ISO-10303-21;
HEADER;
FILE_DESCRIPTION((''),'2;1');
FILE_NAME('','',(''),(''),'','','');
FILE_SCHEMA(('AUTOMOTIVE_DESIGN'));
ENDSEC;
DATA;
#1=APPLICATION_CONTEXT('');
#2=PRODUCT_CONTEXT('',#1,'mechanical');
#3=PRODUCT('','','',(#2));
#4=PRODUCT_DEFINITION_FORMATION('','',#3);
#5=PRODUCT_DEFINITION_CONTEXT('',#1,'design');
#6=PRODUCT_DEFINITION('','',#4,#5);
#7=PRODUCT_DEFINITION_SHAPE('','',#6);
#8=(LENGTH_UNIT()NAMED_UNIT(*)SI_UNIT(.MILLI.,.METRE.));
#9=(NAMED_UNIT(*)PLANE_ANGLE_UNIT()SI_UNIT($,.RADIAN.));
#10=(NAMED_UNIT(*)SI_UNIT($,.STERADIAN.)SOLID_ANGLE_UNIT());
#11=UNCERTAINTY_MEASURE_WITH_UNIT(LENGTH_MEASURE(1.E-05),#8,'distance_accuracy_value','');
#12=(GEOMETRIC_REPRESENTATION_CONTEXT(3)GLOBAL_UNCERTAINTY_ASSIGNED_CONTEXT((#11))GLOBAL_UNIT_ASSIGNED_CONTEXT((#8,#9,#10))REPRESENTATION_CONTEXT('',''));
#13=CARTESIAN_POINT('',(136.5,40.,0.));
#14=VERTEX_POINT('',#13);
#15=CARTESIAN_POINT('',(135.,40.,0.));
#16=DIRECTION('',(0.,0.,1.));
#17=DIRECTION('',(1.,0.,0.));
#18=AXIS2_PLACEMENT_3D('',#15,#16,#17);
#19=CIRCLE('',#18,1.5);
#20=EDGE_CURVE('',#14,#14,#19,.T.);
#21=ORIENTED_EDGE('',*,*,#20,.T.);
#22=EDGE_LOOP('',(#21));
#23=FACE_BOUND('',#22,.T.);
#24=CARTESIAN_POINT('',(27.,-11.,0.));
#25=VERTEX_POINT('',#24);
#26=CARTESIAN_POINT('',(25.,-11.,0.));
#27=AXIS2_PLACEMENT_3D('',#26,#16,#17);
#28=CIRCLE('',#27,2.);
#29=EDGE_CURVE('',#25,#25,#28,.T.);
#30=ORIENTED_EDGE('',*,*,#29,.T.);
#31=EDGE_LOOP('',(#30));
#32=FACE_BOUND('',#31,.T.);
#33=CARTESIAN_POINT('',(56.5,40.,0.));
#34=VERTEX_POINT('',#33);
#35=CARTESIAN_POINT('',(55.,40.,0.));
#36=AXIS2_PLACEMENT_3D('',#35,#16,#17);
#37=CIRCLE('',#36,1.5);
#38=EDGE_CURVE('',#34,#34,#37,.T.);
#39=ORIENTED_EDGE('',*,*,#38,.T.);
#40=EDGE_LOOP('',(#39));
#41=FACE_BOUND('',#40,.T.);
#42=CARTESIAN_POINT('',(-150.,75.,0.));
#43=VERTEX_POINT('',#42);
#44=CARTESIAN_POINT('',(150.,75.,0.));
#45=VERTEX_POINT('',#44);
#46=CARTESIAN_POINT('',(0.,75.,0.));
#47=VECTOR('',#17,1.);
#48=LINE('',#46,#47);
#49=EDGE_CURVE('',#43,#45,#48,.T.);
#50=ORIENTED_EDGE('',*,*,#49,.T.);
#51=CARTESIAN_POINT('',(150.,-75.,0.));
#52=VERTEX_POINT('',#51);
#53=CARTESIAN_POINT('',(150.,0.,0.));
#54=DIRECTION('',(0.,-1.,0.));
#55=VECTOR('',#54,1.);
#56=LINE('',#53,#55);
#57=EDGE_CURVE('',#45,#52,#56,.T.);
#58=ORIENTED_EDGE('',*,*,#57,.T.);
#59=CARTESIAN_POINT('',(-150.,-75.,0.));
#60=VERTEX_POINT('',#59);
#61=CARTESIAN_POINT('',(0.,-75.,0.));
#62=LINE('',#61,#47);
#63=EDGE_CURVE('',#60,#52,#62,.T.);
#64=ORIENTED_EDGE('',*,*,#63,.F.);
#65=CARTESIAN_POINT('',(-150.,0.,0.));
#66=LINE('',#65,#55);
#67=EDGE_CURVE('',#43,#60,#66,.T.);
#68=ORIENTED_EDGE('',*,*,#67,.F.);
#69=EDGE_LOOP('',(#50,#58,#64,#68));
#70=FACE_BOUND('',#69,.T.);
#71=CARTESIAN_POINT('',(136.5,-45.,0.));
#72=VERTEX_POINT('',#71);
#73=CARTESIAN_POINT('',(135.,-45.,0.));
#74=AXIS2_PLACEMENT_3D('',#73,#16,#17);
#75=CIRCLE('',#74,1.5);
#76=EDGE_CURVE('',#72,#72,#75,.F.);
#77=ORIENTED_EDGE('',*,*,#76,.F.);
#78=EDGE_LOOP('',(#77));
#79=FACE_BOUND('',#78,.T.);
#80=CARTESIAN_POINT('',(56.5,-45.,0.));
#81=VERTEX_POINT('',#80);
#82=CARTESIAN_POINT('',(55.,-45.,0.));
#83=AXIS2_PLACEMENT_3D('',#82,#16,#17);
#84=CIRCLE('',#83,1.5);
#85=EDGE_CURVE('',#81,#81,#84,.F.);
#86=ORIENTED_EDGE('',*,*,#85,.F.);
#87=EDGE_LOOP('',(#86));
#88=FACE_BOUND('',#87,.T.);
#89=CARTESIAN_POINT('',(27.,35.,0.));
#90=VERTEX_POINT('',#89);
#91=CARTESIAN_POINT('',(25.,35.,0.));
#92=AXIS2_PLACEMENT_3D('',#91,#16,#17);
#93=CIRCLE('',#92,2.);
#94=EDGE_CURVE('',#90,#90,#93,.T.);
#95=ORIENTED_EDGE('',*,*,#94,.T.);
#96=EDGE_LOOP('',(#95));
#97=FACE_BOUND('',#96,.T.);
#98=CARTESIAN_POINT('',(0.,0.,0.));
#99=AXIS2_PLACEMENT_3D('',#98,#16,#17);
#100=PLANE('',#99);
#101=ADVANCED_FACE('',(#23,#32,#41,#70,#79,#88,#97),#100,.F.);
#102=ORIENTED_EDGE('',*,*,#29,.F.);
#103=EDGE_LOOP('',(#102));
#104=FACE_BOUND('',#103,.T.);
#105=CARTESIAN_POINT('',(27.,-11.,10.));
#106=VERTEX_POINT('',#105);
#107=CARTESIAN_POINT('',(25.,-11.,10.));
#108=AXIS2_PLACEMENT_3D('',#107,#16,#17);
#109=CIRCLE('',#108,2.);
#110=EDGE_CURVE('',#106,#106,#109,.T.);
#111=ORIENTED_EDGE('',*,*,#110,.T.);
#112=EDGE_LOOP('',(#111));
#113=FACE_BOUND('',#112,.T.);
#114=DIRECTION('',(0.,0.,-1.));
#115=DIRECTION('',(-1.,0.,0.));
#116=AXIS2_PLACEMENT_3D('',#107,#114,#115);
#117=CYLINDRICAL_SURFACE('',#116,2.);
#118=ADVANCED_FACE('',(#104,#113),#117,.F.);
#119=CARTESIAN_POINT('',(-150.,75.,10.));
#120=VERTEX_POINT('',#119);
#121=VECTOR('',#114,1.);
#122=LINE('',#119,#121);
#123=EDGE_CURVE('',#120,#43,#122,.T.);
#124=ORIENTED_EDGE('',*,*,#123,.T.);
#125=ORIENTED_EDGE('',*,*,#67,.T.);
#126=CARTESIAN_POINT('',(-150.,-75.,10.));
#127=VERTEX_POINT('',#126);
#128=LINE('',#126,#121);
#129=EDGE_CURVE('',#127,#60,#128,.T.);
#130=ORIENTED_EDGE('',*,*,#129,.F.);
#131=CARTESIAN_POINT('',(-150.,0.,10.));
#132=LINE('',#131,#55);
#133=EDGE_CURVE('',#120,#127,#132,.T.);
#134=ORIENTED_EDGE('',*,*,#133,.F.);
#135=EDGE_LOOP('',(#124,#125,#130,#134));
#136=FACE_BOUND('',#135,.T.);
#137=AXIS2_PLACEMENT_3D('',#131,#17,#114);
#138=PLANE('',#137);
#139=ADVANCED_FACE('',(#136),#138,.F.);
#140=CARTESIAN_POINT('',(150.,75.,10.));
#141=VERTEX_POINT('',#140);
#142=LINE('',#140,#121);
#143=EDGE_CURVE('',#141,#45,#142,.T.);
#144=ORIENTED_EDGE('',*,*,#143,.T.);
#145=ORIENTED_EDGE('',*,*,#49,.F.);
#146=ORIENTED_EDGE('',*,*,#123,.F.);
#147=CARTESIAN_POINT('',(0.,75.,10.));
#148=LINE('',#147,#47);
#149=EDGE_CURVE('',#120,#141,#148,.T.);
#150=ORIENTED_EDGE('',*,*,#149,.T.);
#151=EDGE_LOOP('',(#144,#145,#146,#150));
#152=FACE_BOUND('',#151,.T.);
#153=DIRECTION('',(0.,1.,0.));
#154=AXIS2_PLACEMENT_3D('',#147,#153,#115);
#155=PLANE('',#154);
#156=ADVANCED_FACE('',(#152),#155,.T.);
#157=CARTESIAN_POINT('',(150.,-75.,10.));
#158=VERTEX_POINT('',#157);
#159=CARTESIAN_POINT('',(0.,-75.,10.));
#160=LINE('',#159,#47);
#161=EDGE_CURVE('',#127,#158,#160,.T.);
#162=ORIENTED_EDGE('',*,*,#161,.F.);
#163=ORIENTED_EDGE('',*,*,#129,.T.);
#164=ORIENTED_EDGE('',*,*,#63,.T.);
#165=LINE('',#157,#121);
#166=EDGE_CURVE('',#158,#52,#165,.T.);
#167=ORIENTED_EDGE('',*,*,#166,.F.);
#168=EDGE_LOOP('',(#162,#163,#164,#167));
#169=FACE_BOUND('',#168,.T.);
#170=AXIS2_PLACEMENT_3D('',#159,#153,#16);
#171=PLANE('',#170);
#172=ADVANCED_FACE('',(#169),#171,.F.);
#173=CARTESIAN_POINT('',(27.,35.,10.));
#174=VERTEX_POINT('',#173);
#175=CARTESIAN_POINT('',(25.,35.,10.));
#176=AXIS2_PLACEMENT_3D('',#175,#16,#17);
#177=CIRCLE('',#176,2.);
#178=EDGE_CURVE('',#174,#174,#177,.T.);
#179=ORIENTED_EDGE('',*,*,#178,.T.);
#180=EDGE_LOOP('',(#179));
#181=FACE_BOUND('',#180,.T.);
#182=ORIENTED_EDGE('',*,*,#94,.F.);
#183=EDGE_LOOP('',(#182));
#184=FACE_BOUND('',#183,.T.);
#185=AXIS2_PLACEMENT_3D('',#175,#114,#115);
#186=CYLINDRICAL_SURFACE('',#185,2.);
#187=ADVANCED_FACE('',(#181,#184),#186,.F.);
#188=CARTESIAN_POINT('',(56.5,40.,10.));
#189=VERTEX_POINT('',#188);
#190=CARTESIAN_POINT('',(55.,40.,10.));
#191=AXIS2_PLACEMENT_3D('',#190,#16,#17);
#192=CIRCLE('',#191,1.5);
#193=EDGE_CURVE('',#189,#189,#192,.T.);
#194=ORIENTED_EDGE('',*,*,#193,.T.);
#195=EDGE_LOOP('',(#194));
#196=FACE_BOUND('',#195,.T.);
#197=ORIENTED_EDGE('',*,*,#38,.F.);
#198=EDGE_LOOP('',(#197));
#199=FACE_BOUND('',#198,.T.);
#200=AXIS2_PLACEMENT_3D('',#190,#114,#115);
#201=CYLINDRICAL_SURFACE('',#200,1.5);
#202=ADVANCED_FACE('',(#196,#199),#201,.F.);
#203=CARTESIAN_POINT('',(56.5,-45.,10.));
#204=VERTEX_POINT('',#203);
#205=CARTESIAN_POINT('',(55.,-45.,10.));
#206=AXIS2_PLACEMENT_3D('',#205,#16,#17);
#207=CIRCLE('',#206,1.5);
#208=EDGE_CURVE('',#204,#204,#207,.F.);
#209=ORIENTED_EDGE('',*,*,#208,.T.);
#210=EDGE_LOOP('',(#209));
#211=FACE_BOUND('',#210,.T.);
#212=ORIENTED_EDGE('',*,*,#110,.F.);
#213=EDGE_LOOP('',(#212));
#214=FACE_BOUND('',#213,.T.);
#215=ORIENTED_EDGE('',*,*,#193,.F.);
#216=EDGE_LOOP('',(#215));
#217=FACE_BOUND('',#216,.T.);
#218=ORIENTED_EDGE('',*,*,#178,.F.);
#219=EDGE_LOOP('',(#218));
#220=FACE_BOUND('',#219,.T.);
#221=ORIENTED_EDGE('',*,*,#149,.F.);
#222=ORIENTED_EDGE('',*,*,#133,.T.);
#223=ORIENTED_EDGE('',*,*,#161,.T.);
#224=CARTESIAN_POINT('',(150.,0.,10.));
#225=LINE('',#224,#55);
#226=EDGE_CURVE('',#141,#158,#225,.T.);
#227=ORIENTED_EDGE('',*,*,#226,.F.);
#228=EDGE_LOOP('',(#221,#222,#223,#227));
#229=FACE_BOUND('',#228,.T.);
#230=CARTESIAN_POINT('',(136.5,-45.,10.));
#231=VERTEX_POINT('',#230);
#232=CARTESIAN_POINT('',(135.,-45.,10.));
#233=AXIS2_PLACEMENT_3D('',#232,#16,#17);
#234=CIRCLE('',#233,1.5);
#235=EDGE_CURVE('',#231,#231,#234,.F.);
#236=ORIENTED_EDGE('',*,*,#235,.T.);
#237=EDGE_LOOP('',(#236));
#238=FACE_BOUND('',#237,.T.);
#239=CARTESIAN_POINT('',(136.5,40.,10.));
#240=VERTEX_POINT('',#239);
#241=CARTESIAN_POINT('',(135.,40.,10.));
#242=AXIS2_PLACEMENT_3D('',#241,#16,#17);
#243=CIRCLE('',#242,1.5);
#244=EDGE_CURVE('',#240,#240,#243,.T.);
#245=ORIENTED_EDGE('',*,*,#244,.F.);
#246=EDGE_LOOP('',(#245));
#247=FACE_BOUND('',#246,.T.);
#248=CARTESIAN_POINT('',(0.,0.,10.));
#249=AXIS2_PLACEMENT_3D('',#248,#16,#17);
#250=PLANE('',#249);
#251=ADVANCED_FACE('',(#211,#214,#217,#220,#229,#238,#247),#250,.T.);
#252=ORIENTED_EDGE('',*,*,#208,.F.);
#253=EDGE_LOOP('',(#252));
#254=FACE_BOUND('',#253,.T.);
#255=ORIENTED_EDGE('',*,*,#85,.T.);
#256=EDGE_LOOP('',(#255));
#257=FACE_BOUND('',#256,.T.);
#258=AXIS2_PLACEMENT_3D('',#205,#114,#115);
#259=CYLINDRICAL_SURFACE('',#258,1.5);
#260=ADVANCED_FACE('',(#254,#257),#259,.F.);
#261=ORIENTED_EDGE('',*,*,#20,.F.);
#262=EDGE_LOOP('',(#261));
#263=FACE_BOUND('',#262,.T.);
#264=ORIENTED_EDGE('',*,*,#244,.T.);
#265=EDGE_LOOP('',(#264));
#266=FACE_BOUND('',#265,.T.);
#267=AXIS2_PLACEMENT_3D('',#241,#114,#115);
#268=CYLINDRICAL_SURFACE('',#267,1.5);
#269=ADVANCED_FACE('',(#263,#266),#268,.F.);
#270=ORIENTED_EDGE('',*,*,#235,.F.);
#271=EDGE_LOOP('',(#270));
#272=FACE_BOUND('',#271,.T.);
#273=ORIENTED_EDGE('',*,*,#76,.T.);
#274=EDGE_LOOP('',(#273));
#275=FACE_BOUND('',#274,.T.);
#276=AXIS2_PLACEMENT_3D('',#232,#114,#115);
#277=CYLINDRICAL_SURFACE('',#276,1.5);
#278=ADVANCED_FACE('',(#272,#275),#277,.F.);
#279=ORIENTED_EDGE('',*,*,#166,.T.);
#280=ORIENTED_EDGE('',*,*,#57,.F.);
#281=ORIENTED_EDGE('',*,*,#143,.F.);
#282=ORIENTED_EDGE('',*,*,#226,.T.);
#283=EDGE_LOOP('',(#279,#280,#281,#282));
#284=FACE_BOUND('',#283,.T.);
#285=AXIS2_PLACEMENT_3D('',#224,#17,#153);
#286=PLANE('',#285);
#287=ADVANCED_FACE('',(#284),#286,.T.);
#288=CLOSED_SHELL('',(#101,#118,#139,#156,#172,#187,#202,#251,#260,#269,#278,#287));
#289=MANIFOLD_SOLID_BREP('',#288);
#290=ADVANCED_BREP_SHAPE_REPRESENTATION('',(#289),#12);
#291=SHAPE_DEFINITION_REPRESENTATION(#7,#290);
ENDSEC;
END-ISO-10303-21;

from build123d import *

# Parameters (mm, degrees)
ESBO_O1_W                = 300
ESBO_O1_H                = 150
ESBO_O1_R                = 1.5
ESBO_O1_R_2              = 2
RESSALTO_EXTRUS_O1_DEPTH = 10


with BuildPart() as part:
    # Esboço1 → Ressalto-extrusão1 (new body)
    with BuildSketch(Plane.XY):
        Rectangle(ESBO_O1_W, ESBO_O1_H)
        with Locations((135, 40)):
            Circle(ESBO_O1_R, mode=Mode.SUBTRACT)
        with Locations((135, -45)):
            Circle(ESBO_O1_R, mode=Mode.SUBTRACT)
        with Locations((55, -45)):
            Circle(ESBO_O1_R, mode=Mode.SUBTRACT)
        with Locations((55, 40)):
            Circle(ESBO_O1_R, mode=Mode.SUBTRACT)
        with Locations((25, 35)):
            Circle(ESBO_O1_R_2, mode=Mode.SUBTRACT)
        with Locations((25, -11)):
            Circle(ESBO_O1_R_2, mode=Mode.SUBTRACT)
    extrude(amount=RESSALTO_EXTRUS_O1_DEPTH)


solid = part.part
